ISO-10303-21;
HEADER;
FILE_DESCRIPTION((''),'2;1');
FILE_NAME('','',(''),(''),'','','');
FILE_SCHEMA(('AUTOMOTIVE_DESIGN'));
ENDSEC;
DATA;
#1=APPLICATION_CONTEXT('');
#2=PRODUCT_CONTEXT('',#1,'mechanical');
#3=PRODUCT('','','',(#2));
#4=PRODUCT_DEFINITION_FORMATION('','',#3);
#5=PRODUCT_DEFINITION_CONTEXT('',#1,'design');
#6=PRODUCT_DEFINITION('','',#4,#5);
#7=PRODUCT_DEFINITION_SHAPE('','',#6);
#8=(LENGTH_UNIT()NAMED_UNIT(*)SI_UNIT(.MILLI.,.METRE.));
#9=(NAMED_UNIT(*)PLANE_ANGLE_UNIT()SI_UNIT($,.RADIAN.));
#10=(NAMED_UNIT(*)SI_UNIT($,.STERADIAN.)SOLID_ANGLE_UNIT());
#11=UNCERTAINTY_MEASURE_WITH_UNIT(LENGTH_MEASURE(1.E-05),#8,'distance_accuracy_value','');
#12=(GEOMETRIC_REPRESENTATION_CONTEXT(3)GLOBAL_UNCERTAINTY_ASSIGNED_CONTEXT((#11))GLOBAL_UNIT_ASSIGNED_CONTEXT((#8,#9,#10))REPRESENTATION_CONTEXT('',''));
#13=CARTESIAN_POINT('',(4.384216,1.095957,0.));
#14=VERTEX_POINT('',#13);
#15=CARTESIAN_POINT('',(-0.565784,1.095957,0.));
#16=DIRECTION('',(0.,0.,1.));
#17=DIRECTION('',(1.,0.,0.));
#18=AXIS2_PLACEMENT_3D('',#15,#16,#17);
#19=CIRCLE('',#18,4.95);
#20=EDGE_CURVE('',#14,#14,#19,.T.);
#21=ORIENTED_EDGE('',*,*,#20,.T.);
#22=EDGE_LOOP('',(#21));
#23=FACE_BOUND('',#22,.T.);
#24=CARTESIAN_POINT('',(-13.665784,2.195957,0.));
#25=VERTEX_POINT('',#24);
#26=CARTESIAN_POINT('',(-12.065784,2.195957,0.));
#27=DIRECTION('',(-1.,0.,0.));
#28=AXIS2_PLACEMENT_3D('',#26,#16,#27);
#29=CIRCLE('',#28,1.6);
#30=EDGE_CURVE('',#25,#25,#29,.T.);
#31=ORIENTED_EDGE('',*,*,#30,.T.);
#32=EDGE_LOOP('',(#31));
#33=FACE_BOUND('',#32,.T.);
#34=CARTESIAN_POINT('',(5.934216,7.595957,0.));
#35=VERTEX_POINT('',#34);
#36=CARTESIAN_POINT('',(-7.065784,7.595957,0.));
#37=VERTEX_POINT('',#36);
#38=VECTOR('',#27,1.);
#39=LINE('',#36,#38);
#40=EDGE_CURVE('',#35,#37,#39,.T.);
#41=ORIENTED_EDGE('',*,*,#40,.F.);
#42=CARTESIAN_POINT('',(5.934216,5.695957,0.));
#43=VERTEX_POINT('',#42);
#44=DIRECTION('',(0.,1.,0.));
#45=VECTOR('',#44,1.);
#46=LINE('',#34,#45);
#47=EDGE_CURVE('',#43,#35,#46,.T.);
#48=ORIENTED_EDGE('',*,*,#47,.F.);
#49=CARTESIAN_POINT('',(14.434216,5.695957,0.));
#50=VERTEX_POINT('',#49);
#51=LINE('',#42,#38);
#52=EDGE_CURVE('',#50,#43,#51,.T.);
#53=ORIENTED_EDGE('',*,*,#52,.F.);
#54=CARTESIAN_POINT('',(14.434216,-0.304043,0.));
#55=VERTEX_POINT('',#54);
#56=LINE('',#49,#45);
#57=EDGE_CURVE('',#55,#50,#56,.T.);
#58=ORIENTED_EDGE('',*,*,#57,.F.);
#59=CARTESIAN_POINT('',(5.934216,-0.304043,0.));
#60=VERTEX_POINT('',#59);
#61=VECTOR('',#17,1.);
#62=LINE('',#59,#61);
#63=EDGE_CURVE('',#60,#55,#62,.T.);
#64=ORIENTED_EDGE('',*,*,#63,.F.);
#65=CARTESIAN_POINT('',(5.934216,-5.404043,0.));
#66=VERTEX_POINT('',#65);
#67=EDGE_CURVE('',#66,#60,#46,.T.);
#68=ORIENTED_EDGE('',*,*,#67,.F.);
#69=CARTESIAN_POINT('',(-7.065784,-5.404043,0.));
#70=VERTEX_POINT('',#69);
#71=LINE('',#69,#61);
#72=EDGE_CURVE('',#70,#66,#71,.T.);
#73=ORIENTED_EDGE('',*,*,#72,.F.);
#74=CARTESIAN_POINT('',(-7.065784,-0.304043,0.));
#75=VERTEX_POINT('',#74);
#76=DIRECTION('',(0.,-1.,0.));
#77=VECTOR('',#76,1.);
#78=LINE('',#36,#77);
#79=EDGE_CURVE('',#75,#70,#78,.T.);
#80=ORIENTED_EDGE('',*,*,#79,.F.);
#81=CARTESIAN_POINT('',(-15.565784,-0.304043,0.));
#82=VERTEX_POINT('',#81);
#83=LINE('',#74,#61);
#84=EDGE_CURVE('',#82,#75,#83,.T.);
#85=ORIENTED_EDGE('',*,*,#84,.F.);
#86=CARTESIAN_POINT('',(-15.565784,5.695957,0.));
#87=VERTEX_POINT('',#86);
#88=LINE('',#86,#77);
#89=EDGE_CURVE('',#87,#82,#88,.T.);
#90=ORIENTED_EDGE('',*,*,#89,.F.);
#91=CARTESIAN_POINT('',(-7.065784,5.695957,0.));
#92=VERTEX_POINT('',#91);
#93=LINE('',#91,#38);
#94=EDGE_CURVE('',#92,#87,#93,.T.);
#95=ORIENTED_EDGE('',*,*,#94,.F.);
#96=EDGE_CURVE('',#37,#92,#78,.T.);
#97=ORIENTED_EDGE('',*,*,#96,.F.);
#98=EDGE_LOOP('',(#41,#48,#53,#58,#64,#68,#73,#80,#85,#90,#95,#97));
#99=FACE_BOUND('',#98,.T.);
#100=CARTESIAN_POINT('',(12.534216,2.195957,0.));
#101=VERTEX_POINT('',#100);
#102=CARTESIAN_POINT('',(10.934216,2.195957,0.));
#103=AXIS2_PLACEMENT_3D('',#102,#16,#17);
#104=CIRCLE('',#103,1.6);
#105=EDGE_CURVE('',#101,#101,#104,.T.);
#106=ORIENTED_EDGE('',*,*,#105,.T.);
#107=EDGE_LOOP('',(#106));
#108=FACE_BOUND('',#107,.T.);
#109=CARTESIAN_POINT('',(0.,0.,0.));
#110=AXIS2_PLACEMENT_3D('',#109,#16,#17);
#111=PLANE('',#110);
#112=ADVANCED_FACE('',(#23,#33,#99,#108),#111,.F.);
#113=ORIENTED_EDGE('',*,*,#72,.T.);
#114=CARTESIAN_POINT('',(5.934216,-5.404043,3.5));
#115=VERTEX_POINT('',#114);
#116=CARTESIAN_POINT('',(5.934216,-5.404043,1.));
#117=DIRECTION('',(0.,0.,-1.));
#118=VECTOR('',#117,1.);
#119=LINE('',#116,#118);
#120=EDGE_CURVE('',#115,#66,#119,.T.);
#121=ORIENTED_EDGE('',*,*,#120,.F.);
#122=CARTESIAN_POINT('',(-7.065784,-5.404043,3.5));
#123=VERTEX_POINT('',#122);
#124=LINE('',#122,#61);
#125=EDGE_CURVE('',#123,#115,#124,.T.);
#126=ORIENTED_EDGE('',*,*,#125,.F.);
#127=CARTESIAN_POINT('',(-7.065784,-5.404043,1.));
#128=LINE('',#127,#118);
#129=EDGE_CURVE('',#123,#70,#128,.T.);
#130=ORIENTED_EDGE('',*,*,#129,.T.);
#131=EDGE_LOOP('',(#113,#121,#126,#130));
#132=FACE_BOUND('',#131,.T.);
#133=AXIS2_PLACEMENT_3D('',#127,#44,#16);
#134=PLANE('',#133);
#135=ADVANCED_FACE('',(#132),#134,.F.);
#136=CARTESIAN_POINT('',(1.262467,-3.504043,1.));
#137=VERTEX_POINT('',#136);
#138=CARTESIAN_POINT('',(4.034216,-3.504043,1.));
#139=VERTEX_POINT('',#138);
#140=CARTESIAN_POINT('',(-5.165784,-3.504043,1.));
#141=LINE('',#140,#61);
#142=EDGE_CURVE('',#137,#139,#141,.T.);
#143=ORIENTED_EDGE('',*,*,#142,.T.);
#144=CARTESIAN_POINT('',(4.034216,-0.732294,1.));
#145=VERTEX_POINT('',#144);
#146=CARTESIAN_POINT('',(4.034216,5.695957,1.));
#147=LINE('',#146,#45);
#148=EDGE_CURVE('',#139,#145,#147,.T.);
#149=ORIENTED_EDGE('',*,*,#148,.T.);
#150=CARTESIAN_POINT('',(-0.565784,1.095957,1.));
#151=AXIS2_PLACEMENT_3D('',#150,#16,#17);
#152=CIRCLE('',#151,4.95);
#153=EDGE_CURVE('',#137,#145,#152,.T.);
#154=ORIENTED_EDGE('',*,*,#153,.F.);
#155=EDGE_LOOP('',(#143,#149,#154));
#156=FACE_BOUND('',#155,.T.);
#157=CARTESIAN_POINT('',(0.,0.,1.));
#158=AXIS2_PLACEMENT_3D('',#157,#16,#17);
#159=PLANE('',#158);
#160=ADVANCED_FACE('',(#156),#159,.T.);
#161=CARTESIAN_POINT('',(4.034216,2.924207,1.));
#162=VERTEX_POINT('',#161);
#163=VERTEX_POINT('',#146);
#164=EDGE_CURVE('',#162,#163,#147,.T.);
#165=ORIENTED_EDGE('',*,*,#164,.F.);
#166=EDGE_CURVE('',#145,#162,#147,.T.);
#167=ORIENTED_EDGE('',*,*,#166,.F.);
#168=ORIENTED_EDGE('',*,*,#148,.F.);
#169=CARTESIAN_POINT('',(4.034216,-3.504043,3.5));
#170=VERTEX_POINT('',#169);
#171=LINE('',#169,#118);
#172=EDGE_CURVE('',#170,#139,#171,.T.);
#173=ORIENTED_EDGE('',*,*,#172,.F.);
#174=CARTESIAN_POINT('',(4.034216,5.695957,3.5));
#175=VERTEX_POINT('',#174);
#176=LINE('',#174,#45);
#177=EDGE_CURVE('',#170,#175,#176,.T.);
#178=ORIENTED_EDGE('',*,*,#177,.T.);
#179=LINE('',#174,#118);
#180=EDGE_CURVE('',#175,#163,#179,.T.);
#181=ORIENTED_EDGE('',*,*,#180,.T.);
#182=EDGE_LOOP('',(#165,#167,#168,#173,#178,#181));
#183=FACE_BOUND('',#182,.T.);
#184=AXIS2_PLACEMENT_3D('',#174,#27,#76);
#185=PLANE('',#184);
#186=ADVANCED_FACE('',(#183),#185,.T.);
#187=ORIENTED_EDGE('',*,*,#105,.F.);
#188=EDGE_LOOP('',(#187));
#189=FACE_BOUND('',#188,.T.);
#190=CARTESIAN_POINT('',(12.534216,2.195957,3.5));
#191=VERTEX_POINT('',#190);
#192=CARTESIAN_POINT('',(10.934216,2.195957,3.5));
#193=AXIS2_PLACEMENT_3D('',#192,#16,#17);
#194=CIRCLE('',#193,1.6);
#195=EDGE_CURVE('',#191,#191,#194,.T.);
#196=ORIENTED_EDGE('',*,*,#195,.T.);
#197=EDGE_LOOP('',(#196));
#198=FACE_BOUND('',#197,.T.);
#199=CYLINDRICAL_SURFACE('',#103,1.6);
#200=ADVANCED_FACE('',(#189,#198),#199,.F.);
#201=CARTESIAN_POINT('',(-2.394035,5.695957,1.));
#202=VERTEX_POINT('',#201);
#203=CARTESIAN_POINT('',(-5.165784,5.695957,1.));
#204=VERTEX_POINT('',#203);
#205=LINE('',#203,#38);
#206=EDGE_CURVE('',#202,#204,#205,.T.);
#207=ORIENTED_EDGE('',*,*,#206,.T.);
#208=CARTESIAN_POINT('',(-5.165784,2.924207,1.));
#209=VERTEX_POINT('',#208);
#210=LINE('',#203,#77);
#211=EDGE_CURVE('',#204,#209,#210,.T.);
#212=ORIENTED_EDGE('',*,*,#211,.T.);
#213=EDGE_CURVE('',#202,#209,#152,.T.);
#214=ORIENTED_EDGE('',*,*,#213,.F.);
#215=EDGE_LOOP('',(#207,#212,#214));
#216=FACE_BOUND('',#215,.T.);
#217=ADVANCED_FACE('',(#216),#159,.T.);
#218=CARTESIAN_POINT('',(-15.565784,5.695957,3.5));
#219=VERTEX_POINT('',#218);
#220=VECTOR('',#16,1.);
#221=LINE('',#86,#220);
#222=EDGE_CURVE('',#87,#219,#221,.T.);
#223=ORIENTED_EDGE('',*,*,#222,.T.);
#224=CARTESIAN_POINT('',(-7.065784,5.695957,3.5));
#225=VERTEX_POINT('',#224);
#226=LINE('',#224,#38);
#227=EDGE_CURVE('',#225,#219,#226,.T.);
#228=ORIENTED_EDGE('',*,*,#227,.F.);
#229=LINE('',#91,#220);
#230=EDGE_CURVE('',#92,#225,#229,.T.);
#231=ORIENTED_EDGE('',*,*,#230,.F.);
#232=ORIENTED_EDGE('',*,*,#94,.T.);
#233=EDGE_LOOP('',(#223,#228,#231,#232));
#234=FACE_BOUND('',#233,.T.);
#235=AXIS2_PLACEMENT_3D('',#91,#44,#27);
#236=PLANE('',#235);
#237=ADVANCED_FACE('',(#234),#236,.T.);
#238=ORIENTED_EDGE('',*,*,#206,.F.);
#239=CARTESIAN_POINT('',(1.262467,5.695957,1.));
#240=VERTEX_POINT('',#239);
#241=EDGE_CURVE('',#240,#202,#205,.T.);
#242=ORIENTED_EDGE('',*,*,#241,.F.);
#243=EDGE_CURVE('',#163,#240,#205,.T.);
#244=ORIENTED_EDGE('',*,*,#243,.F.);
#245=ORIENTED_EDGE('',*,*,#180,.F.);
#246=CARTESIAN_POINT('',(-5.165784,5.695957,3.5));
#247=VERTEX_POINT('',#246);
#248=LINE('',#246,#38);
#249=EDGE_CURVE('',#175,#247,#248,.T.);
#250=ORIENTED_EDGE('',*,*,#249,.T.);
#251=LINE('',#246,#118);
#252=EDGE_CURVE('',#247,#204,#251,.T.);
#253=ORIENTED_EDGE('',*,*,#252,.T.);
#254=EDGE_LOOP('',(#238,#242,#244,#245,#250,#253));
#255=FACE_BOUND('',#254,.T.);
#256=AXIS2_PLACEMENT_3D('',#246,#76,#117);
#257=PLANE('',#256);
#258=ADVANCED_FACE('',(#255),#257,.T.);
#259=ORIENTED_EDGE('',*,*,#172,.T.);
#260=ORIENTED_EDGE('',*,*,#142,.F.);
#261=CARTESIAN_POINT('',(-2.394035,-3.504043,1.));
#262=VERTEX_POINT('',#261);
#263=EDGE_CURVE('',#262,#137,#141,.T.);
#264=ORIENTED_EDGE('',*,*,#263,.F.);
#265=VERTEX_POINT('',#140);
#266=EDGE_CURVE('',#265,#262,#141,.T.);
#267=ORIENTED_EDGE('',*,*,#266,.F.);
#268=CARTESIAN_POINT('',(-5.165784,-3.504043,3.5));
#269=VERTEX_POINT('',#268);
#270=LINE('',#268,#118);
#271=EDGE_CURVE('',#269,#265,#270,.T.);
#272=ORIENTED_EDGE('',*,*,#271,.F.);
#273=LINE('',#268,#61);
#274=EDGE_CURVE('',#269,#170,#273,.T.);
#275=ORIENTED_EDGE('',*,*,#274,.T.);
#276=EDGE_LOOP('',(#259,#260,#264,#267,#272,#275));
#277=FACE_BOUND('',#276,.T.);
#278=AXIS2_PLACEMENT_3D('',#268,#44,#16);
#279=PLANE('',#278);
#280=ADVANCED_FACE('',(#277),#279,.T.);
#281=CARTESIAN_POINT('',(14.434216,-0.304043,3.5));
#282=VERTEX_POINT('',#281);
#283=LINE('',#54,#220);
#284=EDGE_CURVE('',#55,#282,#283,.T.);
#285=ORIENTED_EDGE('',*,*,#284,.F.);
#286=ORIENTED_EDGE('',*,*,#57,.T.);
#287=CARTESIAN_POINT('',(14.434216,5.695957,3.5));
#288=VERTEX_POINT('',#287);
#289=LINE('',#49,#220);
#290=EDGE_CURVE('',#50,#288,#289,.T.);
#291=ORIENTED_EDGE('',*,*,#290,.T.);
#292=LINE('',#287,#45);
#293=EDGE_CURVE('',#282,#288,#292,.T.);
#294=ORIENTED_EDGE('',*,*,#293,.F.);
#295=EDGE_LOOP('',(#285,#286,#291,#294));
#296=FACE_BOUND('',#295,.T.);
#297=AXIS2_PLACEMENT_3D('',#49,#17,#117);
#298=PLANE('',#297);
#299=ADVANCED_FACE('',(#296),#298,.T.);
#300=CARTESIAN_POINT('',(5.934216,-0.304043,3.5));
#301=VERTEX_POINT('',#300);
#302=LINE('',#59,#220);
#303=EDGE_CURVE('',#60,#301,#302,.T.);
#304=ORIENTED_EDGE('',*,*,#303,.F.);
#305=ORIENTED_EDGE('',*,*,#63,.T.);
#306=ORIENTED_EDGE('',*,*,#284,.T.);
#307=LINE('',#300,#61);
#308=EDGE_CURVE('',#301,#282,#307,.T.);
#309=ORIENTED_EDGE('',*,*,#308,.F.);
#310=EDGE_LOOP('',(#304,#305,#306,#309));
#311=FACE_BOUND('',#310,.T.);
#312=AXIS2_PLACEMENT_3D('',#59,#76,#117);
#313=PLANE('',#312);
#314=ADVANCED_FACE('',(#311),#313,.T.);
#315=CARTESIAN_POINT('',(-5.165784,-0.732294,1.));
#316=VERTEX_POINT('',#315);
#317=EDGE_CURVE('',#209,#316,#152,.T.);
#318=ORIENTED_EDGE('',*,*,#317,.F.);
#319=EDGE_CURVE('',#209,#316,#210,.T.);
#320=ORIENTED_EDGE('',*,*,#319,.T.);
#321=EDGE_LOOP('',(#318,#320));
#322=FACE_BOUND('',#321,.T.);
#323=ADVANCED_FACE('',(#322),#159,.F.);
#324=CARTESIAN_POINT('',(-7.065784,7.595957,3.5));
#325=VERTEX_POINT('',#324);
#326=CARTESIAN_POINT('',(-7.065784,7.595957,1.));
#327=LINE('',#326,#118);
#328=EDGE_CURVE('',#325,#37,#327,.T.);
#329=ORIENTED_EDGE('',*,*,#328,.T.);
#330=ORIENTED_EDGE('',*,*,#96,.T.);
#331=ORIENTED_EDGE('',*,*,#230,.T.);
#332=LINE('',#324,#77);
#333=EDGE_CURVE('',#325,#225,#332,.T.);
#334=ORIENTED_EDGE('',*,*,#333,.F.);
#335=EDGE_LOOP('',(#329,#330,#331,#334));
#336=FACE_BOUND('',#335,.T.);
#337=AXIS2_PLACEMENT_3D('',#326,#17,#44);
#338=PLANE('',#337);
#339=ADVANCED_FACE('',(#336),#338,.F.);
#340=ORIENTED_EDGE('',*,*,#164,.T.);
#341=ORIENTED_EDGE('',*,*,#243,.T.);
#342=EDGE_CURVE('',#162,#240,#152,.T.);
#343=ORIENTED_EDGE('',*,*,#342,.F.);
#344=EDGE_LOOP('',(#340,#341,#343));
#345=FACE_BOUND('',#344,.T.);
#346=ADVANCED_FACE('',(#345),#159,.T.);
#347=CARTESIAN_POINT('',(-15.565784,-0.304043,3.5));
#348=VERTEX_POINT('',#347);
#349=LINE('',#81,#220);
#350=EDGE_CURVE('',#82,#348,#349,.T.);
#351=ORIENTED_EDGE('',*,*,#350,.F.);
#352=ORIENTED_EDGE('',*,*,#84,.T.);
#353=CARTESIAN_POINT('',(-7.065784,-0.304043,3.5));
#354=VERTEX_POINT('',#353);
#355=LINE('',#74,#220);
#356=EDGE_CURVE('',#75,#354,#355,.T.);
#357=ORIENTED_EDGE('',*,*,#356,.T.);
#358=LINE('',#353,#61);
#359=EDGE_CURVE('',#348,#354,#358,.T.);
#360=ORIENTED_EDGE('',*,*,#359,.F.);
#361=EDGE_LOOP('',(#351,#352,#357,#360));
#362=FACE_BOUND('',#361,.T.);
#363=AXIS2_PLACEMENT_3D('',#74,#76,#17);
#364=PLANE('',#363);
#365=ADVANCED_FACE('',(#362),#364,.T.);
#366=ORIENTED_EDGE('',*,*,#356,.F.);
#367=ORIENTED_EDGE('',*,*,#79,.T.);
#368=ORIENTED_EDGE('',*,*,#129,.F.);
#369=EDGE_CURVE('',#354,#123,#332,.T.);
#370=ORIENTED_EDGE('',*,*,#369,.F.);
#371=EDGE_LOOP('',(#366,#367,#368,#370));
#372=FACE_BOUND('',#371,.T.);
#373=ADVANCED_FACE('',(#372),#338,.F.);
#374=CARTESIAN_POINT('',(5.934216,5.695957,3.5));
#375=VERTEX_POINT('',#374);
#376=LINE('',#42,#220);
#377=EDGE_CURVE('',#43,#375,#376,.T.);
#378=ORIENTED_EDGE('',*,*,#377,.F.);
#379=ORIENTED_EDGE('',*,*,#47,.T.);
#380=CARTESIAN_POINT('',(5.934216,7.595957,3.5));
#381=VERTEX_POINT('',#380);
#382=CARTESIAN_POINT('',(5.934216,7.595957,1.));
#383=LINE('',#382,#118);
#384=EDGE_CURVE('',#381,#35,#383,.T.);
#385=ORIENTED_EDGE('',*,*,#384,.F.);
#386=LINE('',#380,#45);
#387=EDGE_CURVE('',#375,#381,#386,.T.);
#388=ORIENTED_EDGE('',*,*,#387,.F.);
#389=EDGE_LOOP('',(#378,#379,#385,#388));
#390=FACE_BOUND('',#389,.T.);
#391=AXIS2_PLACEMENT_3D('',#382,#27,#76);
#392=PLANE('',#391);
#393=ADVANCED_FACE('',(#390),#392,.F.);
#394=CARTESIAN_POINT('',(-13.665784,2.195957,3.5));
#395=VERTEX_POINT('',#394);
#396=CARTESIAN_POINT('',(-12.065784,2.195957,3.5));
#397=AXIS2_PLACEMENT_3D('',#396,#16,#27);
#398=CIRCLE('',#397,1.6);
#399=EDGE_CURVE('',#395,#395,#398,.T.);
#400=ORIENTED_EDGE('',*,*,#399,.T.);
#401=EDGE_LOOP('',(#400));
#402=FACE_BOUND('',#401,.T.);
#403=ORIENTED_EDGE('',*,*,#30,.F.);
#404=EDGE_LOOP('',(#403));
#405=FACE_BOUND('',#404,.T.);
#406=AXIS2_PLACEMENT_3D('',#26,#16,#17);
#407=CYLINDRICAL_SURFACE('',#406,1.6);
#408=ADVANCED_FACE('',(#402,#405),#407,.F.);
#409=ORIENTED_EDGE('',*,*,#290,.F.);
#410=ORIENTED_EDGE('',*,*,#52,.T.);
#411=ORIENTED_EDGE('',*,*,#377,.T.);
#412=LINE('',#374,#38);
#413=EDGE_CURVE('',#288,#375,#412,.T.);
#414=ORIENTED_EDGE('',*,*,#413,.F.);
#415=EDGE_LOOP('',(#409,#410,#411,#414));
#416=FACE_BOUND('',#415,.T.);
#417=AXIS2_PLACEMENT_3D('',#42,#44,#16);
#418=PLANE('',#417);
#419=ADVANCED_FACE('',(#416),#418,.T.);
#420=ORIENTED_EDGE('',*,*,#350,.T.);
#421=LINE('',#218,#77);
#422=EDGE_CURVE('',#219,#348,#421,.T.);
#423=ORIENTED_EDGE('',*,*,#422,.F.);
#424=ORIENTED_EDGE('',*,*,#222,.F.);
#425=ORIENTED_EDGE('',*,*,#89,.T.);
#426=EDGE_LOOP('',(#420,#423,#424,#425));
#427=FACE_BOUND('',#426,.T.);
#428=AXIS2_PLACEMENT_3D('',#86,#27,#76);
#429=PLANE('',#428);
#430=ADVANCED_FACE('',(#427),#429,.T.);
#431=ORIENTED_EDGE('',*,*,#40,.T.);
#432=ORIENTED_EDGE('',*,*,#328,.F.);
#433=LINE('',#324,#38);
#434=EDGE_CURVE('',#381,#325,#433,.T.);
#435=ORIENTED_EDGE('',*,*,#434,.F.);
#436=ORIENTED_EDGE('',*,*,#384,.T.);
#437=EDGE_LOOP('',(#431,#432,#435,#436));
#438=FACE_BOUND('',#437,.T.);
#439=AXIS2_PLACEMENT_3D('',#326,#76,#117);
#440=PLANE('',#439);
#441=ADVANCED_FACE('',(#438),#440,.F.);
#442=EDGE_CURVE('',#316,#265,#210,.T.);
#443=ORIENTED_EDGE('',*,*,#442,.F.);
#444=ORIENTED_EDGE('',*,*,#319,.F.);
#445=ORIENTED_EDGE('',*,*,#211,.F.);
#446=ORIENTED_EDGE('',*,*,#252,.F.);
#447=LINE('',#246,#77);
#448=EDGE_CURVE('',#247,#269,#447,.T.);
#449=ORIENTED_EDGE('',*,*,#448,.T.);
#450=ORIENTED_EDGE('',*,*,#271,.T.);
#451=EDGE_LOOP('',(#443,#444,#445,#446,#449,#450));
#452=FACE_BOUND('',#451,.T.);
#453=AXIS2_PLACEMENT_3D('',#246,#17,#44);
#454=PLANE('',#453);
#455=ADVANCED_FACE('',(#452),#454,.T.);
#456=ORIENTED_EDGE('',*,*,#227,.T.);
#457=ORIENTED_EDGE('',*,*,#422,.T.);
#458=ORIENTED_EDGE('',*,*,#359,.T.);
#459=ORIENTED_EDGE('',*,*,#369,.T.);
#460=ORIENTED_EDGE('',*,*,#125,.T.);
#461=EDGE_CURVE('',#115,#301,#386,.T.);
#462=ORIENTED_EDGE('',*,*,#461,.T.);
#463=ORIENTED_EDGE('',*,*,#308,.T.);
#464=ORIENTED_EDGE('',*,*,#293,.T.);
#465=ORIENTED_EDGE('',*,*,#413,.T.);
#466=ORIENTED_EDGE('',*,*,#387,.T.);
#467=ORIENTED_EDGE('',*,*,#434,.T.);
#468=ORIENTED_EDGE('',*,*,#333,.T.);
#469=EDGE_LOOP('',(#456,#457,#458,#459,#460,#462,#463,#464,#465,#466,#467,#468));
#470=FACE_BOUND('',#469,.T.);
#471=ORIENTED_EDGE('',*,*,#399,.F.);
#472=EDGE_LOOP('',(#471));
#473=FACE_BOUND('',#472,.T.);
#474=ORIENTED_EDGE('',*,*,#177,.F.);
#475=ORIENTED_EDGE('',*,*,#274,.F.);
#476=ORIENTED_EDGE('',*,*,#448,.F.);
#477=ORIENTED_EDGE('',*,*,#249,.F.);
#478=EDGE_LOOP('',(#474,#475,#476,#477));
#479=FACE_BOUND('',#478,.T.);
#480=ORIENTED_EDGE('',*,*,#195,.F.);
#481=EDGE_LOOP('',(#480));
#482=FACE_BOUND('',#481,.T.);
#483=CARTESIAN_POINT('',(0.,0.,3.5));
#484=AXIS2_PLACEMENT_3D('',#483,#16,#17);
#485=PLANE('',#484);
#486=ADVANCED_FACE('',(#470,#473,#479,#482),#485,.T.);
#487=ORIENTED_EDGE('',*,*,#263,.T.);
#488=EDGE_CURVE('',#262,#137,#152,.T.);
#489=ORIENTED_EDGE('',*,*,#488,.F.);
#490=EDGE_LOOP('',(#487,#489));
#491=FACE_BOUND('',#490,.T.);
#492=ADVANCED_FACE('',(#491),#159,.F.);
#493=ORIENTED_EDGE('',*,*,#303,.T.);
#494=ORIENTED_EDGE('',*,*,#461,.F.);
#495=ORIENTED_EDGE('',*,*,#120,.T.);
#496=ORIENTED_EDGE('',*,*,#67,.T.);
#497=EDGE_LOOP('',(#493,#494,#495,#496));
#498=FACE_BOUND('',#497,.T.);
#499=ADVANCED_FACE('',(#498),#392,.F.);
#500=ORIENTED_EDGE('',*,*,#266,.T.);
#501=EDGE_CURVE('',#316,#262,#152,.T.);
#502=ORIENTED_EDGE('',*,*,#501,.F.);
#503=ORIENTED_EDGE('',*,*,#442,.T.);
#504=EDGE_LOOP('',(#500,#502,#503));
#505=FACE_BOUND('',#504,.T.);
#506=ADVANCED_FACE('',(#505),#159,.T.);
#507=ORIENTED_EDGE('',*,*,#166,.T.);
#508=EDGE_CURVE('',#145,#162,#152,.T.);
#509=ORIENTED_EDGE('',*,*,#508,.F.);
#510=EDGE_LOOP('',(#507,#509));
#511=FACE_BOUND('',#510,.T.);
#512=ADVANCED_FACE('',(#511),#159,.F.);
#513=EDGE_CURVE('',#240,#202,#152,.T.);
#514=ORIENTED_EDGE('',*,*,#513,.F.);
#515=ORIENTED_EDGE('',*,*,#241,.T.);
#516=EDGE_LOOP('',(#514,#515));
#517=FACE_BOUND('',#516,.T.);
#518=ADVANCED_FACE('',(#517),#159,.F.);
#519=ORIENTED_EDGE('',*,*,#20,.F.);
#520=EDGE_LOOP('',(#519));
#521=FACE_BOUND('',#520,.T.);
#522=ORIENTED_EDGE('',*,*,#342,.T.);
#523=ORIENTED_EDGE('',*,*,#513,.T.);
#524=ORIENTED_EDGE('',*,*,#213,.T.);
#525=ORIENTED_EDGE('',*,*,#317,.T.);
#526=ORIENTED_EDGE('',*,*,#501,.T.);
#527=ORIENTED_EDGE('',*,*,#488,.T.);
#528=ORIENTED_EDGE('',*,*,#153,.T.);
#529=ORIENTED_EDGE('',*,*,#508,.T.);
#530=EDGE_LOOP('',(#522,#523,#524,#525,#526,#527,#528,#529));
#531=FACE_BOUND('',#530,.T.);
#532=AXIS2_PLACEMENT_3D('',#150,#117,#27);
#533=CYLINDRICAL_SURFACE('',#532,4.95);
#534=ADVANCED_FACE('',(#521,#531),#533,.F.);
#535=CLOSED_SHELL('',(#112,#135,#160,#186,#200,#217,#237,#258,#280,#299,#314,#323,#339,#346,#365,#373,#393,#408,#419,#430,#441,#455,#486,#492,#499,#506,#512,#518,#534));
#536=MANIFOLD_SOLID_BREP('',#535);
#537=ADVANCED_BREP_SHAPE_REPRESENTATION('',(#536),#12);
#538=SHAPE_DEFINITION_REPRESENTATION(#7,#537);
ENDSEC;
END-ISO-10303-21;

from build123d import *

# Parameters (mm, degrees)
SKETCH_1_W      = 13
SKETCH_1_H      = 13
SKETCH_1_R      = 4.95
EXTRUDE_1_DEPTH = 1
SKETCH_2_W      = 13
SKETCH_2_H      = 13
SKETCH_2_W_2    = 9.2
SKETCH_2_H_2    = 9.2
EXTRUDE_2_DEPTH = 2.5
SKETCH_3_W      = 8.5
SKETCH_3_H      = 6
SKETCH_3_R      = 1.6
EXTRUDE_3_DEPTH = 3.5


with BuildPart() as part:
    # 草图1 → 凸台-拉伸1 (new body)
    with BuildSketch(Plane.XY):
        with Locations((-0.565783989, 1.095956893)):
            Rectangle(SKETCH_1_W, SKETCH_1_H)
        with Locations((-0.565783989, 1.095956893)):
            Circle(SKETCH_1_R, mode=Mode.SUBTRACT)
    extrude(amount=EXTRUDE_1_DEPTH)

    # 草图2 → 凸台-拉伸2 (add)
    with BuildSketch(Plane.XY.offset(1)):
        with Locations((-0.565783989, 1.095956893)):
            Rectangle(SKETCH_2_W, SKETCH_2_H)
        with Locations((-0.565783989, 1.095956893)):
            Rectangle(SKETCH_2_W_2, SKETCH_2_H_2, mode=Mode.SUBTRACT)
    extrude(amount=EXTRUDE_2_DEPTH)

    # 草图3 → 凸台-拉伸3 (add)
    with BuildSketch(Plane.XY.offset(3.5)):
        with Locations((10.184216011, 2.695956893)):
            Rectangle(SKETCH_3_W, SKETCH_3_H)
        with Locations((10.934216011, 2.195956893)):
            Circle(SKETCH_3_R, mode=Mode.SUBTRACT)
        with Locations((-11.315783989, 2.695956893)):
            Rectangle(SKETCH_3_W, SKETCH_3_H)
        with Locations((-12.065783989, 2.195956893)):
            Circle(SKETCH_3_R, mode=Mode.SUBTRACT)
    extrude(amount=-EXTRUDE_3_DEPTH)


solid = part.part
